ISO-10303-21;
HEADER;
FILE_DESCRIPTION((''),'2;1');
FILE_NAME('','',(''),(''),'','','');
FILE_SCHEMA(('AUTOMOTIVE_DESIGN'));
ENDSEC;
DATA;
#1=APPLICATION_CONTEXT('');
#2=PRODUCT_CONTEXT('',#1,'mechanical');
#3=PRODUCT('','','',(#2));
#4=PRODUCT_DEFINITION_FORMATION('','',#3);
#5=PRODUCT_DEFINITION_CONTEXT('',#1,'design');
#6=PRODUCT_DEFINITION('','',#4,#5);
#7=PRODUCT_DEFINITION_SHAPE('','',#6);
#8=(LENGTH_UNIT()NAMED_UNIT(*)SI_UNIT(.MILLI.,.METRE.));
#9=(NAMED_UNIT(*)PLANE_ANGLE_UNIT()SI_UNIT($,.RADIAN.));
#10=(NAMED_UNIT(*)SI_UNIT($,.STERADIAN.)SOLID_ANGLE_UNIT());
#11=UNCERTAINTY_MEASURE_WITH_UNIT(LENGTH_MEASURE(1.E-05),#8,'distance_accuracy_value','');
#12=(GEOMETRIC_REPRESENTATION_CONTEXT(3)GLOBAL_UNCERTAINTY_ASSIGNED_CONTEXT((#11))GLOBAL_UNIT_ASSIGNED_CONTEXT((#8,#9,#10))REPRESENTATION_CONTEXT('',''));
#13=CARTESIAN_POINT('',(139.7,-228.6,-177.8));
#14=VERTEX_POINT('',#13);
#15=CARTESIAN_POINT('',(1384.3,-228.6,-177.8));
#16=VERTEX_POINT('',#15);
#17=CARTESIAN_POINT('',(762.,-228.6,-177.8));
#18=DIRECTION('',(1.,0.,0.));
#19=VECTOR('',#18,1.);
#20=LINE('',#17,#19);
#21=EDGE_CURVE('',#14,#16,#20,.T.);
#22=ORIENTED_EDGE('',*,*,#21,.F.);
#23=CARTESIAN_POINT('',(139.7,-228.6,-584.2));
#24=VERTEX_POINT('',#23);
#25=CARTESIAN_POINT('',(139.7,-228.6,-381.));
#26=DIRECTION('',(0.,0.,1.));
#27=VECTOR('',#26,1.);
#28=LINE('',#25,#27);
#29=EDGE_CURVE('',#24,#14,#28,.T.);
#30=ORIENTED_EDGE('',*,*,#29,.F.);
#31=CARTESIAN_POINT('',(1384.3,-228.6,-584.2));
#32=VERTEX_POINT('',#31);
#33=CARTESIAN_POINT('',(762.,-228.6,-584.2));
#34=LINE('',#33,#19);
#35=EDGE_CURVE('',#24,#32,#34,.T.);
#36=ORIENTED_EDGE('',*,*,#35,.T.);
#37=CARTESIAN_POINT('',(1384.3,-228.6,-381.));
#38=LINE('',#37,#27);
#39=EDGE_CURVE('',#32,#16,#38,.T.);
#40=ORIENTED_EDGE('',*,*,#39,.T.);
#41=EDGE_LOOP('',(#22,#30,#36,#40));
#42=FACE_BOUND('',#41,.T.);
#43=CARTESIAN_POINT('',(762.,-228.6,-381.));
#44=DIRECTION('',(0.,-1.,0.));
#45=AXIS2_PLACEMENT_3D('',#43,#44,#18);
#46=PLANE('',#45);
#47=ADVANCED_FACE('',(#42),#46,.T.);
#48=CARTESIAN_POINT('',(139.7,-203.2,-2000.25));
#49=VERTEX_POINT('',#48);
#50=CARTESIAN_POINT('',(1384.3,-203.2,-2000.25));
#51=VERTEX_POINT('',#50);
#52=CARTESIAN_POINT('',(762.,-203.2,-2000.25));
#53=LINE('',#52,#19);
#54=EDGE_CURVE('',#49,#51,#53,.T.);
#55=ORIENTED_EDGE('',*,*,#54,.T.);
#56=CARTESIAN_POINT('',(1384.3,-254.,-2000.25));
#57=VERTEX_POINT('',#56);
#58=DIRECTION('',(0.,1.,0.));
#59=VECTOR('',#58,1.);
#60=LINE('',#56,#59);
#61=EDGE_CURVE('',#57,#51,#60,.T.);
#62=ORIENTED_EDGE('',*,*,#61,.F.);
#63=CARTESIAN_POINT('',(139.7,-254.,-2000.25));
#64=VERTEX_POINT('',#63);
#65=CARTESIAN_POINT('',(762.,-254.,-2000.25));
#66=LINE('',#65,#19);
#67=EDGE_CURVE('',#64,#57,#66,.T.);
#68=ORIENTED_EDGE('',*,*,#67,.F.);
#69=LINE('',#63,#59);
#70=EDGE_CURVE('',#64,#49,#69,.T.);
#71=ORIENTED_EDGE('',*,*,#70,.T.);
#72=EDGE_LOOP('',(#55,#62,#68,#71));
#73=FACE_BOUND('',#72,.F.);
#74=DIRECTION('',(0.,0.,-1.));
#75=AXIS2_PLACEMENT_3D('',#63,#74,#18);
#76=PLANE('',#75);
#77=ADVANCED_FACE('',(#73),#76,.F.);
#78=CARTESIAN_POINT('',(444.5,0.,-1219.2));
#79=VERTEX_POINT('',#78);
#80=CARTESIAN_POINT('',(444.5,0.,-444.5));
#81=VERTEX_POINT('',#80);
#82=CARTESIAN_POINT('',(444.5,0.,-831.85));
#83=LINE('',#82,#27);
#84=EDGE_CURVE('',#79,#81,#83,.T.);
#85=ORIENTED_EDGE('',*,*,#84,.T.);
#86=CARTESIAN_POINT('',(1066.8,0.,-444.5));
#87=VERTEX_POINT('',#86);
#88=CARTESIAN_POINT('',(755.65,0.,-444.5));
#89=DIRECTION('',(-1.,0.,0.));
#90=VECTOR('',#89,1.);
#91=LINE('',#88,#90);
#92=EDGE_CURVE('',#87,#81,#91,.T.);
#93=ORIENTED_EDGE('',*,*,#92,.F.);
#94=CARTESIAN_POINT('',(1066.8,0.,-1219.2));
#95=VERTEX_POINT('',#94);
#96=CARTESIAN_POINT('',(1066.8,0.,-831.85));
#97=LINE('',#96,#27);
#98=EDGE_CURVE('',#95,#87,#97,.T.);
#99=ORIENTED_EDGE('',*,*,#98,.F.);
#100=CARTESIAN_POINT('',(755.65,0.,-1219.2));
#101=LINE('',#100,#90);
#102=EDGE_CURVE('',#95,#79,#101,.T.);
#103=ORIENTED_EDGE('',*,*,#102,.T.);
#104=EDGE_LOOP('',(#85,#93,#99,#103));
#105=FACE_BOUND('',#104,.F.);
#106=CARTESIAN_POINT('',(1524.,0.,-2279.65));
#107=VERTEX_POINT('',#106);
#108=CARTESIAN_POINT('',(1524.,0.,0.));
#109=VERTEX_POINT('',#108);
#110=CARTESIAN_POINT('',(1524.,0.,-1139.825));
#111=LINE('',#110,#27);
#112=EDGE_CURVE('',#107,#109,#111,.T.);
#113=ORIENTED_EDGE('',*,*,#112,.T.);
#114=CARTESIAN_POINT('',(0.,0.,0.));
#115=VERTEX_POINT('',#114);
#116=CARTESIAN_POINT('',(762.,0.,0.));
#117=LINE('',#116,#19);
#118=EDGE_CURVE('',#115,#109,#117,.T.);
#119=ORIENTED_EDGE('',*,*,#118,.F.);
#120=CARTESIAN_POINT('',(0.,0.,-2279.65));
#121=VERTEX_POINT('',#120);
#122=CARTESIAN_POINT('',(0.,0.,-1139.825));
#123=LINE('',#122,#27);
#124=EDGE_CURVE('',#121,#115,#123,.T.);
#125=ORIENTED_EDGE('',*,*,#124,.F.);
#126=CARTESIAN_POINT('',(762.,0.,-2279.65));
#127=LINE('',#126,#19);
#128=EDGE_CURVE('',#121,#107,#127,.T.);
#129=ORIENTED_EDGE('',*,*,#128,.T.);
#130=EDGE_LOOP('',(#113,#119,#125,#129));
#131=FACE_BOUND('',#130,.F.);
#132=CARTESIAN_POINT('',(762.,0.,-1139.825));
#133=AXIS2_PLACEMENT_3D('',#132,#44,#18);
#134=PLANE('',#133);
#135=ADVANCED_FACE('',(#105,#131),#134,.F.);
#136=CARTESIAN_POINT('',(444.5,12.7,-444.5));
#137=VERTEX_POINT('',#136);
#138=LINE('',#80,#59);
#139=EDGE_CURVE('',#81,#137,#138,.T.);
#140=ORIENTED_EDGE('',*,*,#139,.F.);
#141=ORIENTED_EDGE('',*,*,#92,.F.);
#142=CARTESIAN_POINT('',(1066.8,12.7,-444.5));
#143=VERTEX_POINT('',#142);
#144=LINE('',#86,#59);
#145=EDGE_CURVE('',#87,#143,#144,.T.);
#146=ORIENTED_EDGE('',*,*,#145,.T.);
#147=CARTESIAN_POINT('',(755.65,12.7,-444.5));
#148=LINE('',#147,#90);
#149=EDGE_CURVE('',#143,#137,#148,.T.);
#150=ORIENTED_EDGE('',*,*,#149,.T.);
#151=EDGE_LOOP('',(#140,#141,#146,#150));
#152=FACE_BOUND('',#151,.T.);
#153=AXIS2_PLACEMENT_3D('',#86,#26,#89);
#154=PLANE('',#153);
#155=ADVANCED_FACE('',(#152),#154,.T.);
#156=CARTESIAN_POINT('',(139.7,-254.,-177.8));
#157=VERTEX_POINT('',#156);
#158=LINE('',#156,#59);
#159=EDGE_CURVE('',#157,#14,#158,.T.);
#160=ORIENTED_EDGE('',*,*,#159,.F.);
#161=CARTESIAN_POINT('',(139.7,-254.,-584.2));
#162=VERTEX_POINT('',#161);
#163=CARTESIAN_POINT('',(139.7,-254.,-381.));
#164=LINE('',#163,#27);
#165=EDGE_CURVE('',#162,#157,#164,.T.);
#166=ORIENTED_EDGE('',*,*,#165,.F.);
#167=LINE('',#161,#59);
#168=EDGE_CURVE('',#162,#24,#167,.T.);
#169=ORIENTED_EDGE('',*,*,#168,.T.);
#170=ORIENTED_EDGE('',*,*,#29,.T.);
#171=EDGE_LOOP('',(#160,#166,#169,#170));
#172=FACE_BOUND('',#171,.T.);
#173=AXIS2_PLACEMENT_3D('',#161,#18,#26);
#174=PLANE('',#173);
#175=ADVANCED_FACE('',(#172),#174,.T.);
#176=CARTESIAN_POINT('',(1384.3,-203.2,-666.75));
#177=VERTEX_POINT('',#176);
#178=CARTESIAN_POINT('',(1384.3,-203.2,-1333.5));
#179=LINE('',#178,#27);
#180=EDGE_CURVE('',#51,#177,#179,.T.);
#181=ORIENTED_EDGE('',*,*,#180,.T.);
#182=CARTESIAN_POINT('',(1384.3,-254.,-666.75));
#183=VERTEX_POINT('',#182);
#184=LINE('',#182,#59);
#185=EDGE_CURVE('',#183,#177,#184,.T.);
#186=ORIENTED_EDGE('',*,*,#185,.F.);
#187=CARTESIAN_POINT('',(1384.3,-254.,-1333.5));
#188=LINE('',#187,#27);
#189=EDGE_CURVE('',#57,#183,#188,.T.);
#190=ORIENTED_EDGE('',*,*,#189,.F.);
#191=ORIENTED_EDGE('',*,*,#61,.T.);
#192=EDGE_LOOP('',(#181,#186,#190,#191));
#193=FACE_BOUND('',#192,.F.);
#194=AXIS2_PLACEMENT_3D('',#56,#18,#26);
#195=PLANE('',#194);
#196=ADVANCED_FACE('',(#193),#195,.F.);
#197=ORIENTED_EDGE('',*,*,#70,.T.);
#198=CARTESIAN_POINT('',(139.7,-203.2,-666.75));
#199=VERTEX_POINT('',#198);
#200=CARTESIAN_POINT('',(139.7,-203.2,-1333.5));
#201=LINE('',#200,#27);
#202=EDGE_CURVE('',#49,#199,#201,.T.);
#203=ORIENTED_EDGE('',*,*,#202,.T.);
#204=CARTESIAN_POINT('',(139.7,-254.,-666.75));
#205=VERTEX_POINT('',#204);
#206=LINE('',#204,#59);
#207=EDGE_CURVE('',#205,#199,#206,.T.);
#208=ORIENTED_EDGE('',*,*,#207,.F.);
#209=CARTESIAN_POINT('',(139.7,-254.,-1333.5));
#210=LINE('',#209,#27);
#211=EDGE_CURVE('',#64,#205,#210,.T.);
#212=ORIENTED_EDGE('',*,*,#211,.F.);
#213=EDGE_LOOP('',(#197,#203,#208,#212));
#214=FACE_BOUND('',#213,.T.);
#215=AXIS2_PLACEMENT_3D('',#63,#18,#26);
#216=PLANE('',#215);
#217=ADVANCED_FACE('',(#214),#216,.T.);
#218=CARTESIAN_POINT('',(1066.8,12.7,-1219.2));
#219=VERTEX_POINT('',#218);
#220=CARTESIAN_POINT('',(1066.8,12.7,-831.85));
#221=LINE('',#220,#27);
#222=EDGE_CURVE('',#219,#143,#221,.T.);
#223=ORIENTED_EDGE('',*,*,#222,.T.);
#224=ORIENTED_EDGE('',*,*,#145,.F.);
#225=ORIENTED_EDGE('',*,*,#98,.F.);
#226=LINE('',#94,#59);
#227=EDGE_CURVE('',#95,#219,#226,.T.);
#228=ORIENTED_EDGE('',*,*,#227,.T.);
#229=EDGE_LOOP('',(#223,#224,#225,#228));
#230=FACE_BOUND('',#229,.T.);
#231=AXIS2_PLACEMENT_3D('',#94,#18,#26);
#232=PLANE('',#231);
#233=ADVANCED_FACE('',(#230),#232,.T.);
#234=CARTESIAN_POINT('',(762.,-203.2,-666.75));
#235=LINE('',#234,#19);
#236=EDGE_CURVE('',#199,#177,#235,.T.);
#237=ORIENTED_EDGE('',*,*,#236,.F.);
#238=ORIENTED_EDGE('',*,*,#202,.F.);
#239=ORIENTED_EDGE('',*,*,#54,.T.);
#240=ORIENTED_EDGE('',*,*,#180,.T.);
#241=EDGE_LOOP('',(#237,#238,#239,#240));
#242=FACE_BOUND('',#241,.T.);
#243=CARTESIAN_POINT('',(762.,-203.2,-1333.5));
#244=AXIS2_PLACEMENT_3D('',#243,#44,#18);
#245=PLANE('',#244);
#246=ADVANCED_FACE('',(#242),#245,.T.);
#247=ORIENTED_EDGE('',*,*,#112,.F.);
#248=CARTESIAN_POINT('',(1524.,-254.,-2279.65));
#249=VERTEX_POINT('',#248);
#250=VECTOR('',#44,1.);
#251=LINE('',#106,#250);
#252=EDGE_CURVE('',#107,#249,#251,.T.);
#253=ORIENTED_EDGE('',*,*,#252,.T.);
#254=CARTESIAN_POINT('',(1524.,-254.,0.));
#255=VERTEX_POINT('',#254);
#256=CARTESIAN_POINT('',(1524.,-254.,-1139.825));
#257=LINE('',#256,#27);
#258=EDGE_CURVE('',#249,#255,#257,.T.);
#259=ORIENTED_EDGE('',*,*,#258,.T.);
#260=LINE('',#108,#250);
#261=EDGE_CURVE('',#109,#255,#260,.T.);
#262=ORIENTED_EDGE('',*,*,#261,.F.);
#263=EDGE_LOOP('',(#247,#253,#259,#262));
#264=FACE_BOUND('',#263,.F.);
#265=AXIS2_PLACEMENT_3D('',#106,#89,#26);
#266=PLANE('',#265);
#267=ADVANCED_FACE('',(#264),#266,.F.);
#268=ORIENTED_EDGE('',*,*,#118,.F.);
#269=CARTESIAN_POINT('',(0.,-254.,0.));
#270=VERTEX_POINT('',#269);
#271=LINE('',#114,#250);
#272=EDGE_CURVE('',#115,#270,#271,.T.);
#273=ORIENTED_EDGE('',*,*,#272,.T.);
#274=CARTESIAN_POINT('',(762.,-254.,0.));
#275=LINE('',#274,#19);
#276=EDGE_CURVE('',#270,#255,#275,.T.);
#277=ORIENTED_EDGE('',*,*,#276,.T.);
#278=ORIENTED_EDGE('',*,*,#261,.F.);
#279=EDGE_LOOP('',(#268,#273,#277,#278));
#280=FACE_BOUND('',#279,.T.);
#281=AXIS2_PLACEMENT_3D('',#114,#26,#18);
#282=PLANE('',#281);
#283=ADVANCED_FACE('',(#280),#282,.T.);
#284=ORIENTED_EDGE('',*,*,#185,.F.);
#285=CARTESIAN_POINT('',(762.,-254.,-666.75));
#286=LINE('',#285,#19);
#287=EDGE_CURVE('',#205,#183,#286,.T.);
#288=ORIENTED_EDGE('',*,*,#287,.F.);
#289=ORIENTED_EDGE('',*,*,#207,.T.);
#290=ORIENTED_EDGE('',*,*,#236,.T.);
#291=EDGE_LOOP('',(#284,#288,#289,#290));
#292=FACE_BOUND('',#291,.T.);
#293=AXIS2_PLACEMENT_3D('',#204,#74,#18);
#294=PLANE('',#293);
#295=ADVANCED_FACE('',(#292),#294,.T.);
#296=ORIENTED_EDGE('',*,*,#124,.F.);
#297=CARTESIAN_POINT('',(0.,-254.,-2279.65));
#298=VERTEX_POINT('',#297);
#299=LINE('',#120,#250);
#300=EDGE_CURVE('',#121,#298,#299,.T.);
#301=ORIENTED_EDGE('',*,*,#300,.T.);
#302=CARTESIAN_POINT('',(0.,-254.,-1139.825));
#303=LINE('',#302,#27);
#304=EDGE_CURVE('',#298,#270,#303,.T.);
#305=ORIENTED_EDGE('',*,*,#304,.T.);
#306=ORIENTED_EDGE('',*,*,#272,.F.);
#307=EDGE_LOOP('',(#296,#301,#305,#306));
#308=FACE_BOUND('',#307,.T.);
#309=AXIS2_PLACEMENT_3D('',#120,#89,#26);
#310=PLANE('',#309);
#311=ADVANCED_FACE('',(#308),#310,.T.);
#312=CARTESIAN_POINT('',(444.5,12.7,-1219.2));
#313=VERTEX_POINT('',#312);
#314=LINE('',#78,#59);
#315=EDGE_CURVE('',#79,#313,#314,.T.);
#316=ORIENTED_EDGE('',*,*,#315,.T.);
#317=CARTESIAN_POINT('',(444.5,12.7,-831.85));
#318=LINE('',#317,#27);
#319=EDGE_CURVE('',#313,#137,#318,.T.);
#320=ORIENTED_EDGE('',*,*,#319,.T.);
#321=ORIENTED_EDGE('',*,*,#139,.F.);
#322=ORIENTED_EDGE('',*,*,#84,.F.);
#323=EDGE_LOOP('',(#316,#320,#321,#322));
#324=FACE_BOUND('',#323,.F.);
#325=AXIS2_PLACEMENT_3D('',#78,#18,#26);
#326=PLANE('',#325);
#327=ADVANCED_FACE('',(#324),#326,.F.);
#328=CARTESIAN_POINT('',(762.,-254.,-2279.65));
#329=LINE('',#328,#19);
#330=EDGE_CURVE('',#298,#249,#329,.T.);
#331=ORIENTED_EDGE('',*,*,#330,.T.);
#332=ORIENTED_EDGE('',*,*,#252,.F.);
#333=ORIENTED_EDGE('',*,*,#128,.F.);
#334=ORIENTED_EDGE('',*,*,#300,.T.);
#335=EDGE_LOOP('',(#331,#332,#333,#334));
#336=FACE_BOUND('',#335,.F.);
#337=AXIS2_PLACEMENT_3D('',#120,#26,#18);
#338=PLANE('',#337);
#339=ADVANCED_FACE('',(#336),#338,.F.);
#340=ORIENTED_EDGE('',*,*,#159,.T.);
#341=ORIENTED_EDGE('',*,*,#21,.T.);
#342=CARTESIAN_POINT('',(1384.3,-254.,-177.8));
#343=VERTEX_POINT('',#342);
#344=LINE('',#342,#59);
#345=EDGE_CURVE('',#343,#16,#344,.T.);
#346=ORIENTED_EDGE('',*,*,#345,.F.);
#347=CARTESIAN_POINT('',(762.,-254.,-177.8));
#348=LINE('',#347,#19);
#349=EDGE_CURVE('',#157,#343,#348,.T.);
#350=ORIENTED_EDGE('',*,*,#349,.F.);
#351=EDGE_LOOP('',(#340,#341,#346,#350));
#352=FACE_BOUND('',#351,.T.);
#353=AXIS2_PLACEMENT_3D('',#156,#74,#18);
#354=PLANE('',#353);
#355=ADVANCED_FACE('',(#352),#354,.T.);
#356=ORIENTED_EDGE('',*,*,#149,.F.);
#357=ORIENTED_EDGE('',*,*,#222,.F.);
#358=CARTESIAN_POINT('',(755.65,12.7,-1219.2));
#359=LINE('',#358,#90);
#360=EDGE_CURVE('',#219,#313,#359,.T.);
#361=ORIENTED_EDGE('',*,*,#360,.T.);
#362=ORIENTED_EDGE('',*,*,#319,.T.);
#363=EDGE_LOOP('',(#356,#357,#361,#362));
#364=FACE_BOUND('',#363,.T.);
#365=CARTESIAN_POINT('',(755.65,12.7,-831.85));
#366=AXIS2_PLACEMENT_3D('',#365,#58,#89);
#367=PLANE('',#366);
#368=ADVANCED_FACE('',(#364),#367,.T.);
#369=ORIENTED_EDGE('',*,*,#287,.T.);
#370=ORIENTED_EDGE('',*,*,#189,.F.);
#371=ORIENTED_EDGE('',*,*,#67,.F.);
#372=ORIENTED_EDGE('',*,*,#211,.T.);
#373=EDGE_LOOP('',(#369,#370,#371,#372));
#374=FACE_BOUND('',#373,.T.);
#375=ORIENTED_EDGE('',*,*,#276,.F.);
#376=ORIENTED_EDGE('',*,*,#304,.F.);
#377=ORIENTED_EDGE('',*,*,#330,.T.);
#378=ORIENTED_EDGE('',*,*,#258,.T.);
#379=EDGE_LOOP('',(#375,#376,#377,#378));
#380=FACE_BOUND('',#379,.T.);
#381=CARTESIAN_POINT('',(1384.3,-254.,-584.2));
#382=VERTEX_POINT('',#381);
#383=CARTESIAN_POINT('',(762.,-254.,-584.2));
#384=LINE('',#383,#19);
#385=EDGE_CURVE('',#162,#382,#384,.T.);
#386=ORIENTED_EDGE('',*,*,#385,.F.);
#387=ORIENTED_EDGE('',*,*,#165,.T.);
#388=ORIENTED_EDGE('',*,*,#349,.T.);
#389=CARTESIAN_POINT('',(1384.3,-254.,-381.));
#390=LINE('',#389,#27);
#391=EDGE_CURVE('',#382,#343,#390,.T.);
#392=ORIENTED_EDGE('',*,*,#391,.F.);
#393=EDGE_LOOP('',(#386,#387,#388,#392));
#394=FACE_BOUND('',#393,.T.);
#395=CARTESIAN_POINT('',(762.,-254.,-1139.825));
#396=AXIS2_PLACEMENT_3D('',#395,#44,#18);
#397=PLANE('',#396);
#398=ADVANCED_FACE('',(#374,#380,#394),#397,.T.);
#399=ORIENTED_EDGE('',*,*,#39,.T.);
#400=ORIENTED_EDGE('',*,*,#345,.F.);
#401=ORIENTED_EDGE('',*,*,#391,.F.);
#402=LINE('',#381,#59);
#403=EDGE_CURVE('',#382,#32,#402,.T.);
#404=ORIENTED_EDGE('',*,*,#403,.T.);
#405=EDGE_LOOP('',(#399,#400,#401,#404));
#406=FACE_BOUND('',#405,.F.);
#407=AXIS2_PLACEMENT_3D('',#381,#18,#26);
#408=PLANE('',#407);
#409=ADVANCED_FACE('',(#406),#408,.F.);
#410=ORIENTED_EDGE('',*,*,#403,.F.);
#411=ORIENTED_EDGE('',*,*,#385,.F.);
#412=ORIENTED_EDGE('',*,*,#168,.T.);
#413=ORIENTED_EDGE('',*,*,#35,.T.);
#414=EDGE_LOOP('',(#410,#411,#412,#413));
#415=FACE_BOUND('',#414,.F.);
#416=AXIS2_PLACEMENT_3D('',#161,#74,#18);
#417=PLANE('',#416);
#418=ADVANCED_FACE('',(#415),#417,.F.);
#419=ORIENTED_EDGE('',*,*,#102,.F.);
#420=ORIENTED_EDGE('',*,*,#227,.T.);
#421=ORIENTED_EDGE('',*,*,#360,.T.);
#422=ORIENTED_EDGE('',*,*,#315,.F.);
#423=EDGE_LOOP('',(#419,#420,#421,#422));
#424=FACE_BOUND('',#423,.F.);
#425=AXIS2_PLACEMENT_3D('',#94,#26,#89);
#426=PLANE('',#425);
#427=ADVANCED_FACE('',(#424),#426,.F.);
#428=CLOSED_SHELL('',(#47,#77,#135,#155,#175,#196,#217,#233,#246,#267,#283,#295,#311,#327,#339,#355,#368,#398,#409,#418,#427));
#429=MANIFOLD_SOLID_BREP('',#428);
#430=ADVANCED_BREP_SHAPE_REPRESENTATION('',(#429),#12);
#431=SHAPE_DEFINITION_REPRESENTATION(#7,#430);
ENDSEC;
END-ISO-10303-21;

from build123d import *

# Parameters (mm, degrees)
F0_W     = 1524
F0_H     = 2279.65
F1_DEPTH = 254
F2_W     = 1244.6
F2_H     = 406.4
F3_DEPTH = 25.4
F4_W     = 1244.6
F4_H     = 1333.5
F5_DEPTH = 50.8
F6_W     = 622.3
F6_H     = 774.7
F7_DEPTH = 12.7


with BuildPart() as f1:
    # F0 (on Front) → F1 (new body)
    with BuildSketch(Plane.XZ):
        with Locations((762, -1139.825)):
            Rectangle(F0_W, F0_H)
    extrude(amount=F1_DEPTH)

    # F2 (on face) → F3 (cut)
    with BuildSketch(Plane.XZ.offset(254)):
        with Locations((762, -381)):
            Rectangle(F2_W, F2_H)
    extrude(amount=-F3_DEPTH, mode=Mode.SUBTRACT)

    # F4 (on face) → F5 (cut)
    with BuildSketch(Plane.XZ.offset(254)):
        with Locations((762, -1333.5)):
            Rectangle(F4_W, F4_H)
    extrude(amount=-F5_DEPTH, mode=Mode.SUBTRACT)

    # F6 (on face) → F7 (join)
    with BuildSketch(Plane(origin=(0, 0, 0), x_dir=(-1, 0, 0), z_dir=(0, 1, 0))):
        with Locations((-755.65, -831.85)):
            Rectangle(F6_W, F6_H)
    extrude(amount=F7_DEPTH)


solid = f1.part
